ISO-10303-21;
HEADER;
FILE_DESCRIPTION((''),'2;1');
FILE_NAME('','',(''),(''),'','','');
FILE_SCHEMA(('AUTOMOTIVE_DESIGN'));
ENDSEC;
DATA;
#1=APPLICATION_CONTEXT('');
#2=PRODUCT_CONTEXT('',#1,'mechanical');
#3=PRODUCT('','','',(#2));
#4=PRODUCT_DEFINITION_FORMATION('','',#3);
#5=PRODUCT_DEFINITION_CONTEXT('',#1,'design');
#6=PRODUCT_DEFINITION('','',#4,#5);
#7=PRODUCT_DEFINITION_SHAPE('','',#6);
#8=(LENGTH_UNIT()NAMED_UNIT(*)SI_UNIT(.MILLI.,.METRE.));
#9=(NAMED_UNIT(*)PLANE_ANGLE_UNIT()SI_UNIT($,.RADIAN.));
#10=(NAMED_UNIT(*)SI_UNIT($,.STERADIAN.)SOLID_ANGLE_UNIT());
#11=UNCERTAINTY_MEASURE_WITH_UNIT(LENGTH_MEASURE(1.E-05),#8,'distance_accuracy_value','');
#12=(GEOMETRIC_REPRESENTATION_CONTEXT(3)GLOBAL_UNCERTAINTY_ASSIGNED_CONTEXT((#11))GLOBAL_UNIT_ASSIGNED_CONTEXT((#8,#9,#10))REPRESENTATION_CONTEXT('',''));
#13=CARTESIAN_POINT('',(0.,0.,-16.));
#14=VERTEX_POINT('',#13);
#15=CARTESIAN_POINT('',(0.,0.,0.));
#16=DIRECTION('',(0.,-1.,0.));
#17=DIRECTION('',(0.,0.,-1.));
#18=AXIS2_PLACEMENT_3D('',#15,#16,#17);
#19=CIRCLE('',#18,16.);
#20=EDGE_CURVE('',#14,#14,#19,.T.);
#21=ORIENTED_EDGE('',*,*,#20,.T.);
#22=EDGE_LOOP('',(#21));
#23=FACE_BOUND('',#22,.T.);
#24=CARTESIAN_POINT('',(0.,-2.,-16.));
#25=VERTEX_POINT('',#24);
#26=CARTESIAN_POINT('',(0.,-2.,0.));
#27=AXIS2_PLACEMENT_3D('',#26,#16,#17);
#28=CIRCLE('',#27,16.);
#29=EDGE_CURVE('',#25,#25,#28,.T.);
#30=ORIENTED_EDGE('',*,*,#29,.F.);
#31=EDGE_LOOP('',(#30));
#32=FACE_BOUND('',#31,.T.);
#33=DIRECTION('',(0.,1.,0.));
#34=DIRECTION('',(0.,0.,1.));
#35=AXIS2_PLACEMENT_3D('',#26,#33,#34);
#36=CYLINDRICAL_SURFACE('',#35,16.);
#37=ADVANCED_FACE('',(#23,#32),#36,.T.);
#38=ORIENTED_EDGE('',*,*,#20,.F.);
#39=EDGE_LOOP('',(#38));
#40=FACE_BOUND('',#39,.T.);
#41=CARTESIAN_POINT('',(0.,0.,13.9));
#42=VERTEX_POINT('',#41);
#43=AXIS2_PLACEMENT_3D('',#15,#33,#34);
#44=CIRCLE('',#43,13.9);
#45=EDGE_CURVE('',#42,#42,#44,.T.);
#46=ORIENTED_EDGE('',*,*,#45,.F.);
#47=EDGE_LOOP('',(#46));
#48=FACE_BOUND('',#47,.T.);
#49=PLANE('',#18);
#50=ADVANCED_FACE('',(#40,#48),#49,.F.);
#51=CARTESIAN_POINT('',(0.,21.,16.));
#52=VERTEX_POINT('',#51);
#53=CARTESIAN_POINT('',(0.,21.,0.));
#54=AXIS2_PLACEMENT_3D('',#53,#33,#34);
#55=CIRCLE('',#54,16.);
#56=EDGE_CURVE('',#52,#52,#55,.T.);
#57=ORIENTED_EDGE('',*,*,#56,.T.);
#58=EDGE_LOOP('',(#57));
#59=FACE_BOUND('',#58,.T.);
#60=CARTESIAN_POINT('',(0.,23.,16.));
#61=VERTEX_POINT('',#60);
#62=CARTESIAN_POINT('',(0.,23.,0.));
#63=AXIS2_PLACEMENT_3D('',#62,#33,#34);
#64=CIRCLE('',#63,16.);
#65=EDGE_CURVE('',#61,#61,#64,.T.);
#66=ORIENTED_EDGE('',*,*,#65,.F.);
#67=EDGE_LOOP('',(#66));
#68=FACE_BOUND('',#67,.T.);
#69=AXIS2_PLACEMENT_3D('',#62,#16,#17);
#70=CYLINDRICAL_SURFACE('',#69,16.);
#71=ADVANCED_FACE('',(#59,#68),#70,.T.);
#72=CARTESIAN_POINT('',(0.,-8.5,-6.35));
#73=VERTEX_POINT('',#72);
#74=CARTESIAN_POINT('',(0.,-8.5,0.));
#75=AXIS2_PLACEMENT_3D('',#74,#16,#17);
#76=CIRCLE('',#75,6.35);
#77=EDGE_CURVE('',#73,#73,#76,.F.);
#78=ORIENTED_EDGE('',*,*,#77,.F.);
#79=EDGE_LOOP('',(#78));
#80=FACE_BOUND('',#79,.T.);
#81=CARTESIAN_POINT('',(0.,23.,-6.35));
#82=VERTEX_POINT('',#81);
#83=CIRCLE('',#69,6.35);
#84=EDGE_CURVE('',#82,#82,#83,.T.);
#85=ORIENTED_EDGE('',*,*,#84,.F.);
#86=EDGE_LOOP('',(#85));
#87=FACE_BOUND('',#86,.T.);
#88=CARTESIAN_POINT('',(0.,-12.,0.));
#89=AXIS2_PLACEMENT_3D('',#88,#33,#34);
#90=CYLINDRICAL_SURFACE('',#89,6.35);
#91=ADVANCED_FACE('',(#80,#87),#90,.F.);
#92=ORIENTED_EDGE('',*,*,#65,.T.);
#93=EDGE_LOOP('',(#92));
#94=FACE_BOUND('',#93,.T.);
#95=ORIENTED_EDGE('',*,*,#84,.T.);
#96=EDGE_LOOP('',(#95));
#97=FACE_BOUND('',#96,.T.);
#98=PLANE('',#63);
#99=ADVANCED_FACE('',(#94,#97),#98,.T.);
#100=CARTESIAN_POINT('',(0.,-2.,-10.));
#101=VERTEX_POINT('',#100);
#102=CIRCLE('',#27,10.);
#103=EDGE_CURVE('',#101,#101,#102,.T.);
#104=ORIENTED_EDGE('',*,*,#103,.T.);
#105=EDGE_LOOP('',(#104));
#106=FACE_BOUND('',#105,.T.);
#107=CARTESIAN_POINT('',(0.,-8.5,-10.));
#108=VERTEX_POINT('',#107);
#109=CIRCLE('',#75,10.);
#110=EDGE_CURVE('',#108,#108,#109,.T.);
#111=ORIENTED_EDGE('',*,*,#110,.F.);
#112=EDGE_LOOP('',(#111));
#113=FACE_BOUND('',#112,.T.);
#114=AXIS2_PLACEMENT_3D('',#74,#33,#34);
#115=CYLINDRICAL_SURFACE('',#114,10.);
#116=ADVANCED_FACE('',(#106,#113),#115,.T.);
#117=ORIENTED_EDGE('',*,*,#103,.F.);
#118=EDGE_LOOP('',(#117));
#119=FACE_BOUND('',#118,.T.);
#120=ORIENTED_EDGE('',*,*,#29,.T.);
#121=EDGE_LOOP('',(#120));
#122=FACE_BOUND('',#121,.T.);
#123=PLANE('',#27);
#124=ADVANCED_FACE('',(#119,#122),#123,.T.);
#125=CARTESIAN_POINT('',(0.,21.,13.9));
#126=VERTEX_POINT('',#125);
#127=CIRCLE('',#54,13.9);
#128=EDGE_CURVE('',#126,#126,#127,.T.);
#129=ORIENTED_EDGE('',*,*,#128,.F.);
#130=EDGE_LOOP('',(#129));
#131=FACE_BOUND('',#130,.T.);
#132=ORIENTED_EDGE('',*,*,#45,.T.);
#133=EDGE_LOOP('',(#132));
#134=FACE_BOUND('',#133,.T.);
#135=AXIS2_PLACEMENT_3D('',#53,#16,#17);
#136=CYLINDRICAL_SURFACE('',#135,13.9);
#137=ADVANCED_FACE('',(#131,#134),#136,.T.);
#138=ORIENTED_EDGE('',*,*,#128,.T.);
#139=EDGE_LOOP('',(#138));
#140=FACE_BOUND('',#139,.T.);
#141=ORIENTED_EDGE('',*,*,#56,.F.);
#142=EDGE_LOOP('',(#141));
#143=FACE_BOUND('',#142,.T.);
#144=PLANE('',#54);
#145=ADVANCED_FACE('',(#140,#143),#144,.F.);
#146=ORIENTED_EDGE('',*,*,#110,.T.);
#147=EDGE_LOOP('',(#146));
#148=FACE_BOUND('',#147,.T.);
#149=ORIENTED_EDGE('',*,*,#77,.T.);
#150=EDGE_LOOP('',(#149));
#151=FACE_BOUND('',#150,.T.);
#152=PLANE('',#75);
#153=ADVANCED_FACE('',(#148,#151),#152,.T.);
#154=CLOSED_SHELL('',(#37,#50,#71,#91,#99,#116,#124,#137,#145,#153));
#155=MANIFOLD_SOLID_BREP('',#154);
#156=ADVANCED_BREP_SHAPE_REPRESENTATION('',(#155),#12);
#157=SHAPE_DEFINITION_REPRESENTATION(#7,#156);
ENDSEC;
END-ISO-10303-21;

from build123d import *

# Parameters (mm, degrees)
SKETCH1_R               = 13.9
BOSS_EXTRUDE1_DEPTH     = 21
SKETCH2_R               = 16
BOSS_EXTRUDE2_DEPTH     = 2
SKETCH3_R               = 16
BOSS_EXTRUDE3_DEPTH     = 2
SKETCH5_R               = 10
SKETCH5_R_2             = 3
BOSS_EXTRUDE4_DEPTH     = 6.5
SKETCH4_R               = 6.35
CUT_EXTRUDE1_DEPTH      = 10
CUT_EXTRUDE1_DEPTH_BACK = 26


with BuildPart() as part:
    # Sketch1 → Boss-Extrude1 (new body)
    with BuildSketch(Plane(origin=(0, 0, 0), x_dir=(1, 0, 0), z_dir=(0, 1, 0))):
        Circle(SKETCH1_R)
    extrude(amount=BOSS_EXTRUDE1_DEPTH)

    # Sketch2 → Boss-Extrude2 (add)
    with BuildSketch(Plane(origin=(0, 21, 0), x_dir=(1, 0, 0), z_dir=(0, 1, 0))):
        Circle(SKETCH2_R)
    extrude(amount=BOSS_EXTRUDE2_DEPTH)

    # Sketch3 → Boss-Extrude3 (add)
    with BuildSketch(Plane.XZ):
        Circle(SKETCH3_R)
    extrude(amount=BOSS_EXTRUDE3_DEPTH)

    # Sketch5 → Boss-Extrude4 (add)
    with BuildSketch(Plane.XZ.offset(2)):
        Circle(SKETCH5_R)
        Circle(SKETCH5_R_2, mode=Mode.SUBTRACT)
    extrude(amount=BOSS_EXTRUDE4_DEPTH)

    # Sketch4 → Cut-Extrude1 (cut, two sides)
    with BuildSketch(Plane.XZ.offset(2)) as cut_extrude1_sk:
        Circle(SKETCH4_R)
    extrude(amount=CUT_EXTRUDE1_DEPTH, mode=Mode.SUBTRACT)
    extrude(cut_extrude1_sk.sketch, amount=-CUT_EXTRUDE1_DEPTH_BACK, mode=Mode.SUBTRACT)


solid = part.part
